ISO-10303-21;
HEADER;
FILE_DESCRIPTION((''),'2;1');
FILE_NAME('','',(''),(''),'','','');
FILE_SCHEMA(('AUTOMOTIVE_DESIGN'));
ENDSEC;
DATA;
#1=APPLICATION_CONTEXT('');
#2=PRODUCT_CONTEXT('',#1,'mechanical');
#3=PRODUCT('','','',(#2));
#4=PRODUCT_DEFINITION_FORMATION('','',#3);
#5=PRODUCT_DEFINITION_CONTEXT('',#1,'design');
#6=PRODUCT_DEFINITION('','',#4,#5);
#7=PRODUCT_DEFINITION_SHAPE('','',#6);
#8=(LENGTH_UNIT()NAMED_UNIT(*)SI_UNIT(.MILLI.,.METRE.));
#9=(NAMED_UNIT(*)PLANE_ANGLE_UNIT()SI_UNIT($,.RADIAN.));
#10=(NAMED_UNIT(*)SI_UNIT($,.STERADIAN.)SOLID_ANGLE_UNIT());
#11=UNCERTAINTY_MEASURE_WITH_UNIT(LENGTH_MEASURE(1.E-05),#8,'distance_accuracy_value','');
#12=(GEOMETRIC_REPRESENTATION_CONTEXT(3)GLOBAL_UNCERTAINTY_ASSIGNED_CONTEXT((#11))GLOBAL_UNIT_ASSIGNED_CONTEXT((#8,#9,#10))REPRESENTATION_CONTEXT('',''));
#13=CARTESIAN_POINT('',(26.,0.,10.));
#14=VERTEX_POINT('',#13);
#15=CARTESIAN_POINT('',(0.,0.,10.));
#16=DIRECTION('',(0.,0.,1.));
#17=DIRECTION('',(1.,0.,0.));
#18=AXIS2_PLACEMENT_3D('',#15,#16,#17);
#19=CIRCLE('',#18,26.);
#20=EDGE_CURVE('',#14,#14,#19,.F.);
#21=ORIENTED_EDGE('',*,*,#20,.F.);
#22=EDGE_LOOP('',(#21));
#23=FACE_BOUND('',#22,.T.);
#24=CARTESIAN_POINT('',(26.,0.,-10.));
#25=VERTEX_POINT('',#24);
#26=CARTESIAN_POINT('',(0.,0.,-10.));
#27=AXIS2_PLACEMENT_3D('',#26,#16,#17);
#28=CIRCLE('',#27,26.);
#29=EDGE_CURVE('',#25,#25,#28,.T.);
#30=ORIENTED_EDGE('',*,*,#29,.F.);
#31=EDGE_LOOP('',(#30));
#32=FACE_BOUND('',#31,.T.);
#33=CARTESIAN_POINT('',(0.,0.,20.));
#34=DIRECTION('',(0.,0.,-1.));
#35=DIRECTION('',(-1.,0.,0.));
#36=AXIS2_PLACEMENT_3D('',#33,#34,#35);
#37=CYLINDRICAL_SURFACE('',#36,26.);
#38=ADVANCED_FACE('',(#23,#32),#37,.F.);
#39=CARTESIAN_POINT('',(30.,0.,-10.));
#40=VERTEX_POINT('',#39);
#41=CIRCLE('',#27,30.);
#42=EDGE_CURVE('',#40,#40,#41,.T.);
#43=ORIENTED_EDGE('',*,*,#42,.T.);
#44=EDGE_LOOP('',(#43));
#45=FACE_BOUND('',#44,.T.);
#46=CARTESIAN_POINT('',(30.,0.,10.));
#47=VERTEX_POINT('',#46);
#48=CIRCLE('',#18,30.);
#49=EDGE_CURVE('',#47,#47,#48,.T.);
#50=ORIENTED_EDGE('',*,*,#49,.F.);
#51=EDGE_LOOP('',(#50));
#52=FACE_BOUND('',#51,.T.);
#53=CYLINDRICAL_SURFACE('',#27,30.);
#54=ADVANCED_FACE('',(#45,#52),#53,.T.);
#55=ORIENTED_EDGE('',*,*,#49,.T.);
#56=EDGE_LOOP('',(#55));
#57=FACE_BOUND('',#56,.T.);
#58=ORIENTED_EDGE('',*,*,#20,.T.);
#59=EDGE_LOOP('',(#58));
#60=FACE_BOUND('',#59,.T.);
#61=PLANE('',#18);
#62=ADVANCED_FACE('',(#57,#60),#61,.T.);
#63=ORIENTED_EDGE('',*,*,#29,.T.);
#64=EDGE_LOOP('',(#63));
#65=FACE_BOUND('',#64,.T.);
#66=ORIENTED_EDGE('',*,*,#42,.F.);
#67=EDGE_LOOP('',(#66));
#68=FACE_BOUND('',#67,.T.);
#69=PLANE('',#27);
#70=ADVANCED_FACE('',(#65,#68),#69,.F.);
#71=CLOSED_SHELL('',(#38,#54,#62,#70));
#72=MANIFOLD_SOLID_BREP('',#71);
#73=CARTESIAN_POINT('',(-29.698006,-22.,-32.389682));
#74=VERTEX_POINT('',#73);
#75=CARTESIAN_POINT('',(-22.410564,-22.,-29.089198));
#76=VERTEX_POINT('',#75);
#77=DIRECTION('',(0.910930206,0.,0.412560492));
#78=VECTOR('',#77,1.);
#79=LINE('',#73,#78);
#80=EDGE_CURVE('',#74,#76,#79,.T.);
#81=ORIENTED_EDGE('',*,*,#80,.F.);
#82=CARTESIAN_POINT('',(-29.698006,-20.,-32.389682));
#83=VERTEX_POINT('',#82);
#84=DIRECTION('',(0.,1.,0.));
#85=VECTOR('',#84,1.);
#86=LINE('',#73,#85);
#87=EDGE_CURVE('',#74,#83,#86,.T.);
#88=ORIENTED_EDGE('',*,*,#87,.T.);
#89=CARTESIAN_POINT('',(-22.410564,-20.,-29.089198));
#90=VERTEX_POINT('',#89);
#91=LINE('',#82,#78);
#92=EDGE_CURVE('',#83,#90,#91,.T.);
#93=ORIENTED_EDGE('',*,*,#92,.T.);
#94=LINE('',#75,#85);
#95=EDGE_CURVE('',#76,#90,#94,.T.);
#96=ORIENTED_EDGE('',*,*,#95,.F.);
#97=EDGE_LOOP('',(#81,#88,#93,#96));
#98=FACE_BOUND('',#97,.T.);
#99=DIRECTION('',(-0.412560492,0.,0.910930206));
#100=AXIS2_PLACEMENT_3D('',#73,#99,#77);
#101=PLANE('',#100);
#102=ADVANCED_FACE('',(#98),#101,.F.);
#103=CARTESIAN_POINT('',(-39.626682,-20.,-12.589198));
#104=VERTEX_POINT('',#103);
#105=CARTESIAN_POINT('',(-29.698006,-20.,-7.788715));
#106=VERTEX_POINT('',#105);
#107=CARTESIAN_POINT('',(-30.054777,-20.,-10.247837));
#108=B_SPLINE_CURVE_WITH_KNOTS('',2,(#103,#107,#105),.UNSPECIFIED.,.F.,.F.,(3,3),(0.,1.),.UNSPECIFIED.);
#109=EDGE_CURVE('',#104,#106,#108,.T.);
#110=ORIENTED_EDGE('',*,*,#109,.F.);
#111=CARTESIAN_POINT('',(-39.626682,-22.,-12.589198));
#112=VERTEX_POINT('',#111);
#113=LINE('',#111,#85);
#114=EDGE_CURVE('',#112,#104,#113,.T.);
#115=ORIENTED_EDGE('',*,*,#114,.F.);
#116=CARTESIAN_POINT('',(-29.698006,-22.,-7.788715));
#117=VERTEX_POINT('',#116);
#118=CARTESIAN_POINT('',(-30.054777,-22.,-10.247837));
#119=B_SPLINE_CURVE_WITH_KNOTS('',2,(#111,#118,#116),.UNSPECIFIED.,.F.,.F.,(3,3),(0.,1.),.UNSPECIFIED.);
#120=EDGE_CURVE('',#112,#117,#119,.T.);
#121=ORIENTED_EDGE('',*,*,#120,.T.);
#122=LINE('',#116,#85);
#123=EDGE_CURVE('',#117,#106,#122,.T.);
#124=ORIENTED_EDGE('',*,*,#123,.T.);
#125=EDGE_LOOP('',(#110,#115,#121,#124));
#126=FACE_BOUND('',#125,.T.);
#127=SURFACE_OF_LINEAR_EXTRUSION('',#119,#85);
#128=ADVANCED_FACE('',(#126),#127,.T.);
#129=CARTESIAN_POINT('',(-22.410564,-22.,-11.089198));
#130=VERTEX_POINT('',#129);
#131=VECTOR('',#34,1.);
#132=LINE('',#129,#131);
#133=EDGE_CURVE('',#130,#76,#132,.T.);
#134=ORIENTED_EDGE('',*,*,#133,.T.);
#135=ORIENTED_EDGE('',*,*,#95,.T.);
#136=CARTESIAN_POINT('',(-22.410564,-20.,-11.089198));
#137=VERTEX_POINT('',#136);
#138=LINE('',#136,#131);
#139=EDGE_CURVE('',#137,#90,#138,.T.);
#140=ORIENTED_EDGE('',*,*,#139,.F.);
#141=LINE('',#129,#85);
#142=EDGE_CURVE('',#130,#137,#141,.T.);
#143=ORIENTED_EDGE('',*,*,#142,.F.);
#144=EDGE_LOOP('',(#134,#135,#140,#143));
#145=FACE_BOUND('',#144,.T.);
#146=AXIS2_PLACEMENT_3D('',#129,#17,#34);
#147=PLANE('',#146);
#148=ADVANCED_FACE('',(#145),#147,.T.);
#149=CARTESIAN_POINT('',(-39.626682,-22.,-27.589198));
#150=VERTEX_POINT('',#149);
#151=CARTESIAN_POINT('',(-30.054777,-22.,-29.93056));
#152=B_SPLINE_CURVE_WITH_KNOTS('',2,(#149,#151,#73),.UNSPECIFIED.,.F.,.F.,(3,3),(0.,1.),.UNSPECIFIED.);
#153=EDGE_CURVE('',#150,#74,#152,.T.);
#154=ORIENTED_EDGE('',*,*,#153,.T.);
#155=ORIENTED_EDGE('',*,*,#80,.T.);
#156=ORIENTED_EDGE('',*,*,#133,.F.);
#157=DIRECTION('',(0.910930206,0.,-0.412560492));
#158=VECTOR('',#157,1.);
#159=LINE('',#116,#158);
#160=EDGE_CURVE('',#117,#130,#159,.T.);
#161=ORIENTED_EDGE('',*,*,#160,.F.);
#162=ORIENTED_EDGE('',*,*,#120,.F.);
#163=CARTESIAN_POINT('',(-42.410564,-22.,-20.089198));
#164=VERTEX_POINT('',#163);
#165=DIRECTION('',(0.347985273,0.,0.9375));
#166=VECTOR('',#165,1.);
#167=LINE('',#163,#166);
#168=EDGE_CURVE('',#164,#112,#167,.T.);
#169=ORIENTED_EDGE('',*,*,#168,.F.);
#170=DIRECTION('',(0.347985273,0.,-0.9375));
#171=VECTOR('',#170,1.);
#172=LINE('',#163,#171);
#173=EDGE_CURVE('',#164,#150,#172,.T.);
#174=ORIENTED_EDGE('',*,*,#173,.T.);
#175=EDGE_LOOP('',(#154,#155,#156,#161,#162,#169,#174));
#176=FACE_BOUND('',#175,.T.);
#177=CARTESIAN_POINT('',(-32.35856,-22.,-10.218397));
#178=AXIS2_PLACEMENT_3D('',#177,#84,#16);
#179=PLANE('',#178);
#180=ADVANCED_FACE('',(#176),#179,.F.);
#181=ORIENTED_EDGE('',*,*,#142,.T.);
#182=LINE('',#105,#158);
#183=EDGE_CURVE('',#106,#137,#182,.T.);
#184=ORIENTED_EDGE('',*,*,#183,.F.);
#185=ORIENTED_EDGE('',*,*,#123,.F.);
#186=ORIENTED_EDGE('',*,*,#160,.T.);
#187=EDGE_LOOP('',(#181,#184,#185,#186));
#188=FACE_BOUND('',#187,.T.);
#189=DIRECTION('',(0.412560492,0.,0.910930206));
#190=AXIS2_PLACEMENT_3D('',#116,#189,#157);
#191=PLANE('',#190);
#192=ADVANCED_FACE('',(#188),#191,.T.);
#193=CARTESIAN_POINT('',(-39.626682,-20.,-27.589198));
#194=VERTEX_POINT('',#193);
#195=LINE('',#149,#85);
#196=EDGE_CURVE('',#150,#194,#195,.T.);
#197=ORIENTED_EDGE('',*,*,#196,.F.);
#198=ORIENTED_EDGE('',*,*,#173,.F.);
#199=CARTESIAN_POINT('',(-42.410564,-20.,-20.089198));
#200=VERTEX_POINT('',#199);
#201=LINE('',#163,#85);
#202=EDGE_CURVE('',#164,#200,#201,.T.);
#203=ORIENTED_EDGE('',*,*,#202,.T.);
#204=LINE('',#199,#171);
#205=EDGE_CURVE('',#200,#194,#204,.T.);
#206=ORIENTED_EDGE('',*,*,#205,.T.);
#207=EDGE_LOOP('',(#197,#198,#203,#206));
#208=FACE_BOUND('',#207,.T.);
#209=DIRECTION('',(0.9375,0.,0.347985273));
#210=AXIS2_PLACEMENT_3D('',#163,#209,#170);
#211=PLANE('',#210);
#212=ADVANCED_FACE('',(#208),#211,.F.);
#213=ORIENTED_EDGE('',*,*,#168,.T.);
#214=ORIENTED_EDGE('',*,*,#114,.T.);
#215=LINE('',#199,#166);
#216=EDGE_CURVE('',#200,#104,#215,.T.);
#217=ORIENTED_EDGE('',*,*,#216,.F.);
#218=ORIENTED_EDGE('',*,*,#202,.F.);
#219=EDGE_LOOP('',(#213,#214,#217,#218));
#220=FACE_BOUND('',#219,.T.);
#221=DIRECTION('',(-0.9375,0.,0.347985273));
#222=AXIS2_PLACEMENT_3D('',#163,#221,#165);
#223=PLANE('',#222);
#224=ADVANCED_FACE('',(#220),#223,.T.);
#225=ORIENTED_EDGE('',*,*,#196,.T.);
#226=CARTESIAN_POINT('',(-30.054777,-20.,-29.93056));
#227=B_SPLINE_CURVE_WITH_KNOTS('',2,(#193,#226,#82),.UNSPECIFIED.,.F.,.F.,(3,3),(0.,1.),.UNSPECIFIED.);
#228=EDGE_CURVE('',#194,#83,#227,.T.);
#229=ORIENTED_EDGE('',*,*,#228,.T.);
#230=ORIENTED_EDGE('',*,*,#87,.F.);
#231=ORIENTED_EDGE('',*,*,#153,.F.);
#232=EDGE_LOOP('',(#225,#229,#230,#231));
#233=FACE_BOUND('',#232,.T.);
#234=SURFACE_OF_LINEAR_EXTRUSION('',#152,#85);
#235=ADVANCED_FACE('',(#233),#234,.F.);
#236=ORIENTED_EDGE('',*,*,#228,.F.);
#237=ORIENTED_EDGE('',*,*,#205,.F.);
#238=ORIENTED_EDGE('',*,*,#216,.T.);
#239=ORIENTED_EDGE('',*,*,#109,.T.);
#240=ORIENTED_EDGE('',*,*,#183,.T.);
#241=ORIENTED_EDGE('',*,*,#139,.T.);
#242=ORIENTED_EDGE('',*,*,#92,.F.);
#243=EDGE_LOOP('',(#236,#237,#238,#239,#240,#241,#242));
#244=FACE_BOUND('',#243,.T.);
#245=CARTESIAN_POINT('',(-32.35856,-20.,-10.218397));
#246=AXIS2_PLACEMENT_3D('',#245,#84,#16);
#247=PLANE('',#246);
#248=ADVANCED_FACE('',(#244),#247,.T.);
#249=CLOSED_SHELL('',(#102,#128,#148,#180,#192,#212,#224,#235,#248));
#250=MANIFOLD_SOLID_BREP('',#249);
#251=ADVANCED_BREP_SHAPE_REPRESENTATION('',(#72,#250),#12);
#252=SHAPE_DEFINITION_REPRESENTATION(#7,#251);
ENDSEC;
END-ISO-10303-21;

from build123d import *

# Parameters (mm, degrees)
BOSS_EXTRUDE1_DEPTH      = 10
BOSS_EXTRUDE1_DEPTH_BACK = 10
SKETCH1_R                = 30
CUT_EXTRUDE1_DEPTH       = 10
CUT_EXTRUDE1_DEPTH_BACK  = 20
SKETCH2_R                = 26
BOSS_EXTRUDE3_DEPTH      = 2


with BuildPart() as part:
    # Sketch1 → Boss-Extrude1 (new, two sides: drawn at the far end of the back side and taken through both)
    with BuildSketch(Plane.XY.offset(-BOSS_EXTRUDE1_DEPTH_BACK)):
        Circle(SKETCH1_R)
    extrude(amount=BOSS_EXTRUDE1_DEPTH + BOSS_EXTRUDE1_DEPTH_BACK)

    # Sketch2 → Cut-Extrude1 (cut, two sides: drawn at the far end of the back side and taken through both)
    with BuildSketch(Plane.XY.offset(10).offset(-CUT_EXTRUDE1_DEPTH_BACK)):
        Circle(SKETCH2_R)
    extrude(amount=CUT_EXTRUDE1_DEPTH + CUT_EXTRUDE1_DEPTH_BACK, mode=Mode.SUBTRACT)


with BuildPart() as body_2:
    # Sketch7 → Boss-Extrude3 (new body)
    with BuildSketch(Plane(origin=(0, -20, 0), x_dir=(1, 0, 0), z_dir=(0, 1, 0))):
        with BuildLine():
            Line((-29.69800601, 7.788714547), (-22.41056436, 11.089198481))
            Line((-22.41056436, 11.089198481), (-22.41056436, 29.089198481))
            Line((-22.41056436, 29.089198481), (-29.69800601, 32.389682416))
            add(Edge.make_bspline(
                [(-39.626682179, 27.589198481), (-30.054776841, 29.930559954), (-29.69800601, 32.389682416)],
                knots=[0, 0, 0, 1, 1, 1], degree=2))
            Line((-39.626682179, 27.589198481), (-42.41056436, 20.089198481))
            Line((-42.41056436, 20.089198481), (-39.626682179, 12.589198481))
            add(Edge.make_bspline(
                [(-39.626682179, 12.589198481), (-30.054776841, 10.247837009), (-29.69800601, 7.788714547)],
                knots=[0, 0, 0, 1, 1, 1], degree=2))
        make_face()
    extrude(amount=-BOSS_EXTRUDE3_DEPTH)


solid = Compound([part.part, body_2.part])
